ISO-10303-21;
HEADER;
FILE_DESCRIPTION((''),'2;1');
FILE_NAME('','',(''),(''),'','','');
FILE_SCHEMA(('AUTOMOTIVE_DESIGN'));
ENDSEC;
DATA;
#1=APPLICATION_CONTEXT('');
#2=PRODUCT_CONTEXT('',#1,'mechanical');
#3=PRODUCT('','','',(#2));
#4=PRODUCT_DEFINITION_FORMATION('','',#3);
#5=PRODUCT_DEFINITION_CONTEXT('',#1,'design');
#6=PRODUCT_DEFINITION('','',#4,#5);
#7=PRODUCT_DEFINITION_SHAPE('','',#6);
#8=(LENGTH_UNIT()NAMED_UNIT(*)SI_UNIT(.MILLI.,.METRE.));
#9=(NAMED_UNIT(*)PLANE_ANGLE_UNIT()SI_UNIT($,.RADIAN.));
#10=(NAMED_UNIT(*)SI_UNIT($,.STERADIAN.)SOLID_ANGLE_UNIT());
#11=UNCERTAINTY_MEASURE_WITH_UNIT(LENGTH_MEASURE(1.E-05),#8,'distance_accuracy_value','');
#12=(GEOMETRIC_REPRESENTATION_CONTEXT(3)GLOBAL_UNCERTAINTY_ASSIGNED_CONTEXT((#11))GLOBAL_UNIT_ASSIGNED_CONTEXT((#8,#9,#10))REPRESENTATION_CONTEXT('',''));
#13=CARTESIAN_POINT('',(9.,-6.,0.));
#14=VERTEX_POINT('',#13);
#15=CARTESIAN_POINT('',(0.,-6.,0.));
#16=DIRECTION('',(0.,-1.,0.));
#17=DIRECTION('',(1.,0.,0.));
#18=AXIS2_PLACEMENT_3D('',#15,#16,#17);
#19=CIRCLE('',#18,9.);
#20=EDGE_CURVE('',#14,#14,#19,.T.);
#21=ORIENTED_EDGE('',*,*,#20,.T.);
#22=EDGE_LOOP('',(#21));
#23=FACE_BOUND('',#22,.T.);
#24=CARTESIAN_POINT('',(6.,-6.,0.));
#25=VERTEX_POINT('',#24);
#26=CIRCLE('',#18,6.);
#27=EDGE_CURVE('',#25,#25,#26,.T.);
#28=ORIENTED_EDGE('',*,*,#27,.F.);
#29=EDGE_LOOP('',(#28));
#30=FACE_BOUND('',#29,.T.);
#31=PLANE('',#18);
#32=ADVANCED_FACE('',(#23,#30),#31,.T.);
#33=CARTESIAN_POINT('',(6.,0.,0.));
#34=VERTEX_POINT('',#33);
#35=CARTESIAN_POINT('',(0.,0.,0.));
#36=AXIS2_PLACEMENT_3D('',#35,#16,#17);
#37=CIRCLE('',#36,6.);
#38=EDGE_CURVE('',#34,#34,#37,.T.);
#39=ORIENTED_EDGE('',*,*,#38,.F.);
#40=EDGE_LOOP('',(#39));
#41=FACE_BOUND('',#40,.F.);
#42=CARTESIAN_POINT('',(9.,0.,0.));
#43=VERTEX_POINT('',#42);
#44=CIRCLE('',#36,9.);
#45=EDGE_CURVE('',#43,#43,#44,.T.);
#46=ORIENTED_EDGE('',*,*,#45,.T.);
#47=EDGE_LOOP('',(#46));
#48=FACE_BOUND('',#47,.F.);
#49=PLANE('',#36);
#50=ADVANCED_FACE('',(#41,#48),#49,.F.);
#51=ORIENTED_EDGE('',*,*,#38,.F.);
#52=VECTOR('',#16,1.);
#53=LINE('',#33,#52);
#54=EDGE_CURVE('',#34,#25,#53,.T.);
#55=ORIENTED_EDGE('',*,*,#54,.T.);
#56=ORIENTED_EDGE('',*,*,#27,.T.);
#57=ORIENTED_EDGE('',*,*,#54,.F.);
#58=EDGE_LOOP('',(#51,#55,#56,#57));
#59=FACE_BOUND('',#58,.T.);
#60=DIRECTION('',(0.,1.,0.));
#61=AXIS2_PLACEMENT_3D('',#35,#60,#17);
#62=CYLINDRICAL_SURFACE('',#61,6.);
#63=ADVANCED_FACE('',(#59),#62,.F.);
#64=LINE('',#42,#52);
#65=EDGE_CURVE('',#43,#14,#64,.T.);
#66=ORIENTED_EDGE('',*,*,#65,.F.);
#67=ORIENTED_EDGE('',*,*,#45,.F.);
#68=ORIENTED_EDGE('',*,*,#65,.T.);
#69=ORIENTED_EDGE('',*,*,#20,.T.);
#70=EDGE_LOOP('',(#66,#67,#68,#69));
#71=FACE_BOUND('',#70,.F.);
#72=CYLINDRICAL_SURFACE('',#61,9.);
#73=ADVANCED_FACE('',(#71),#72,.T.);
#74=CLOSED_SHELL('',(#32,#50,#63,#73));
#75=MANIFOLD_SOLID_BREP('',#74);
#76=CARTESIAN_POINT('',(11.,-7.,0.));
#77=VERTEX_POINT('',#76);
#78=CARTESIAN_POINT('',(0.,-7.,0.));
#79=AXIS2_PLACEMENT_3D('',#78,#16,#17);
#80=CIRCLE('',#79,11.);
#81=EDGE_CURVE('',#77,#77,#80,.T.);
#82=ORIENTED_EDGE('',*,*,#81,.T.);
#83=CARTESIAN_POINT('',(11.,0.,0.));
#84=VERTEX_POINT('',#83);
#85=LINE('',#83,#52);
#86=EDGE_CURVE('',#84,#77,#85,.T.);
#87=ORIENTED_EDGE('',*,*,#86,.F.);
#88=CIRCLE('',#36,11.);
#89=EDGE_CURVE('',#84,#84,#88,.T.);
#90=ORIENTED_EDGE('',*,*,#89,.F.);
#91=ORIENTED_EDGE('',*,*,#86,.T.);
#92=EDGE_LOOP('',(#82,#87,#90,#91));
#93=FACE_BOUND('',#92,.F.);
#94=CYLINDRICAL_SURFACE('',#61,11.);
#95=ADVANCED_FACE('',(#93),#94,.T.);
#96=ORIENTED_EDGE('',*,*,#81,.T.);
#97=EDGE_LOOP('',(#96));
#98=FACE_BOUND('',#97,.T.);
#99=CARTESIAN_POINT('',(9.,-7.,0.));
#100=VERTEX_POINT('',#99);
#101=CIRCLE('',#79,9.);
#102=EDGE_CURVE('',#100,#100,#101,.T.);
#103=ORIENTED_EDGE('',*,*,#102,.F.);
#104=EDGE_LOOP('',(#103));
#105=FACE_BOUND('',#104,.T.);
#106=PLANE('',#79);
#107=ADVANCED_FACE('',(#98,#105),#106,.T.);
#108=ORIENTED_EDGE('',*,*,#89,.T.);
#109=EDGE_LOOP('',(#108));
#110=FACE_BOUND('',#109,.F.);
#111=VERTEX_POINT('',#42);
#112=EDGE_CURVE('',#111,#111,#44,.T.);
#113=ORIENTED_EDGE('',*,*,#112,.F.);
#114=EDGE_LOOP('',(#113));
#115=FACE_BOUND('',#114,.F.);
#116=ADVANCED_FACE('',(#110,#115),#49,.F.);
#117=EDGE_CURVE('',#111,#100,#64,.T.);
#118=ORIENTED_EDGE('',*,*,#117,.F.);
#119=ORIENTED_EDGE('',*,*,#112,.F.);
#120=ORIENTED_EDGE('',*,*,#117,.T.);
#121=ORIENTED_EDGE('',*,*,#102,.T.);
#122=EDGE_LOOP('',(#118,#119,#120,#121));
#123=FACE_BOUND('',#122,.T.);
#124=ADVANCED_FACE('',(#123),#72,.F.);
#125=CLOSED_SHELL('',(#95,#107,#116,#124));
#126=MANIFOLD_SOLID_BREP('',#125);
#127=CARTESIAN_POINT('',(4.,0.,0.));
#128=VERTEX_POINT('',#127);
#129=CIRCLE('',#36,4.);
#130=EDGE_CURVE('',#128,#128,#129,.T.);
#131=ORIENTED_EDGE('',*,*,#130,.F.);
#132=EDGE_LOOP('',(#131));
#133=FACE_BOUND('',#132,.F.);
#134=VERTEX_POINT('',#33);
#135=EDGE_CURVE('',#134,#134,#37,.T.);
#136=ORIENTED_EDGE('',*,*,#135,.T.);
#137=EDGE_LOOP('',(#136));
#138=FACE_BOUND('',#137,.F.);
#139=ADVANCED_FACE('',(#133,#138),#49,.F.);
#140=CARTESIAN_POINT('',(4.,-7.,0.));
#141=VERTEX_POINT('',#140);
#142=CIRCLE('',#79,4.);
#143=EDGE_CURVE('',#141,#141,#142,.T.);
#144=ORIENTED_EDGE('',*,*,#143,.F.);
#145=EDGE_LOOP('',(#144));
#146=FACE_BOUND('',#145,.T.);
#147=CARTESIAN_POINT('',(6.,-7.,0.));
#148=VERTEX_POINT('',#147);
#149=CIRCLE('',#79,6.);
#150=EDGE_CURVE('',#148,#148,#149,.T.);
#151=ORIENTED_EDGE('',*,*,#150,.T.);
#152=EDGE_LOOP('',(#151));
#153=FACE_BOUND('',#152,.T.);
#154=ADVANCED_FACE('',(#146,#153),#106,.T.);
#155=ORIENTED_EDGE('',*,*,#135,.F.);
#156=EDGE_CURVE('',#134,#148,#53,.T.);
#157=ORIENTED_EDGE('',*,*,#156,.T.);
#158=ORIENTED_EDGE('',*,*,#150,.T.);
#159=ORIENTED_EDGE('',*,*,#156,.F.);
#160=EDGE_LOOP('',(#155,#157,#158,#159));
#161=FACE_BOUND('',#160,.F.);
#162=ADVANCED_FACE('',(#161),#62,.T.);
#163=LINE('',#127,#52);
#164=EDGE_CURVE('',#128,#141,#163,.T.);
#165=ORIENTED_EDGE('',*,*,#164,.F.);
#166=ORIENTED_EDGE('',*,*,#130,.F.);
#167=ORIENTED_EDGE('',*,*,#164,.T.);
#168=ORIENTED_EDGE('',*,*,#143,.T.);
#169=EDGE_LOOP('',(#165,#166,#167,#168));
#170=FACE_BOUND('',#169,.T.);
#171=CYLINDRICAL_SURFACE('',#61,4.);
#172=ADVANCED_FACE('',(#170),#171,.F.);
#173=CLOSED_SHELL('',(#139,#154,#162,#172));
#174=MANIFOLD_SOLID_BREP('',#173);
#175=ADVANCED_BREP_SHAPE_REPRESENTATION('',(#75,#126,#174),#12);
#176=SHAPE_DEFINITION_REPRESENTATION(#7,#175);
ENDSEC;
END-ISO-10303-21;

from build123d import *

# Parameters (mm, degrees)
F0_R     = 6
F0_R_2   = 4
F1_DEPTH = 7
F0_R_3   = 11
F0_R_4   = 9
F2_DEPTH = 7
F3_DEPTH = 6


with BuildPart() as f1:
    # F0 (on Front) → F1 (new body)
    with BuildSketch(Plane.XZ):
        Circle(F0_R)
        Circle(F0_R_2, mode=Mode.SUBTRACT)
    extrude(amount=F1_DEPTH)


with BuildPart() as f2:
    # F0 (on Front) → F2 (new body)
    with BuildSketch(Plane.XZ):
        Circle(F0_R_3)
        Circle(F0_R_4, mode=Mode.SUBTRACT)
    extrude(amount=F2_DEPTH)


with BuildPart() as f3:
    # F0 (on Front) → F3 (new body)
    with BuildSketch(Plane.XZ):
        Circle(F0_R_4)
        Circle(F0_R, mode=Mode.SUBTRACT)
    extrude(amount=F3_DEPTH)


solid = Compound([f1.part, f2.part, f3.part])
